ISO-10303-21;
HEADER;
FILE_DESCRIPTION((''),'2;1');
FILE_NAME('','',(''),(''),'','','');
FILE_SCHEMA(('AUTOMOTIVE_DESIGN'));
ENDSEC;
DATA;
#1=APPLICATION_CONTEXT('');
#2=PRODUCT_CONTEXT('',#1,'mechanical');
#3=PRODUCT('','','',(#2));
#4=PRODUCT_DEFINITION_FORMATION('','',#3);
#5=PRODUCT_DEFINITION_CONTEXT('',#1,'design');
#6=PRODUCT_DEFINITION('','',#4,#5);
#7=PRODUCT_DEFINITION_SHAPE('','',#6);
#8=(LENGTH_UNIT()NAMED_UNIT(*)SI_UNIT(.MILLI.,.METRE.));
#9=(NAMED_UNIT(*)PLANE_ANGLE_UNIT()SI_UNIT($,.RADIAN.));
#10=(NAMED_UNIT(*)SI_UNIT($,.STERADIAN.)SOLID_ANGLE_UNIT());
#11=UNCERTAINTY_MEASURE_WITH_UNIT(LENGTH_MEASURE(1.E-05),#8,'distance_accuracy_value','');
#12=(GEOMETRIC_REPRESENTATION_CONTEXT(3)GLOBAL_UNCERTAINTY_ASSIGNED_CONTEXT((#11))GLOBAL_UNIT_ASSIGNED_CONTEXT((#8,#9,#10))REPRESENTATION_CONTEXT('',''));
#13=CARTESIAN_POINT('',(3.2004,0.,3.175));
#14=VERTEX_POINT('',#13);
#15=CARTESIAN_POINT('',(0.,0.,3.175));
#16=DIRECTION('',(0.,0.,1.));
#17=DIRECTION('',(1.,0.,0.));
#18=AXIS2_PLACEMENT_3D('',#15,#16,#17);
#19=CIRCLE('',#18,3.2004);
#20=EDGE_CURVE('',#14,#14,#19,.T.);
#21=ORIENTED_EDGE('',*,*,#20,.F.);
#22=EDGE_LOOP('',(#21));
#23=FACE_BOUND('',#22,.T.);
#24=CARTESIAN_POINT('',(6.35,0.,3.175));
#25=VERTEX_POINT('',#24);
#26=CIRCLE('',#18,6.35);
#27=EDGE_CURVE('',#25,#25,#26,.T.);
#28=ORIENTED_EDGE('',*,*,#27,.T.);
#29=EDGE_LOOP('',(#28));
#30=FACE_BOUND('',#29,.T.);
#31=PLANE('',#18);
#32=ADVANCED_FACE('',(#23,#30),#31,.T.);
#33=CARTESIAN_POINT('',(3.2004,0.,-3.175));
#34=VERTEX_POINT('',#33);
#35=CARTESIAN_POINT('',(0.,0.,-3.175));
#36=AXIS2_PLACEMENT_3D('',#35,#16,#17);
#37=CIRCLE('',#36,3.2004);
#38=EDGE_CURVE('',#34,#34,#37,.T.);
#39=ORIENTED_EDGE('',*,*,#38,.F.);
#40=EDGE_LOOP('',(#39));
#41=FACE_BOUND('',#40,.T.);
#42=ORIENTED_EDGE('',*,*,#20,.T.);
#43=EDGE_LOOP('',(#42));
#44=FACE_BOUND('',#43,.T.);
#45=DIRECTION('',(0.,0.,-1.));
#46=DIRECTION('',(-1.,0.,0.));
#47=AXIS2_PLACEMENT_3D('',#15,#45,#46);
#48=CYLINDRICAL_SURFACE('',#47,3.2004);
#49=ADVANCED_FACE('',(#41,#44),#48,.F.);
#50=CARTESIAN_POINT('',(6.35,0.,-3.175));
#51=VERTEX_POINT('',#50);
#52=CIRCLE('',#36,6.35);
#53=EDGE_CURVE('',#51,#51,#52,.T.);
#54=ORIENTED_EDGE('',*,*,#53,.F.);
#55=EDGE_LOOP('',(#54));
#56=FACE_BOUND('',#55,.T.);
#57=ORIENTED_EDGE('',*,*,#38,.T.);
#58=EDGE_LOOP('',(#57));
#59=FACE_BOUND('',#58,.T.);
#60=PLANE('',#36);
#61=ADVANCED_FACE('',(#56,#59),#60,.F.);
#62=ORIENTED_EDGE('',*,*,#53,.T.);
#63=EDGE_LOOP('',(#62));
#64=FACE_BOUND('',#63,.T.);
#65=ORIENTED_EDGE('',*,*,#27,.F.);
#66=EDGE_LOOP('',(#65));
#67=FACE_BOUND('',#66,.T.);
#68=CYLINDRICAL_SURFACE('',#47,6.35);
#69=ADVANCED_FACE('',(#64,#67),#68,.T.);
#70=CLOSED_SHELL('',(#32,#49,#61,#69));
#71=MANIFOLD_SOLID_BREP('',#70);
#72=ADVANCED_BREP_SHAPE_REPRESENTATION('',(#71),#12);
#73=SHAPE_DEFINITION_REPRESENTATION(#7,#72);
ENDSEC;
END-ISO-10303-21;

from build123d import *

# Parameters (mm, degrees)
SKETCH1_R      = 6.35
SKETCH1_R_2    = 3.2004
EXTRUDE1_DEPTH = 3.175


with BuildPart() as part:
    # Sketch1 → Extrude1 (new body, symmetric)
    with BuildSketch(Plane.XY):
        Circle(SKETCH1_R)
        Circle(SKETCH1_R_2, mode=Mode.SUBTRACT)
    extrude(amount=EXTRUDE1_DEPTH, both=True)


solid = part.part
